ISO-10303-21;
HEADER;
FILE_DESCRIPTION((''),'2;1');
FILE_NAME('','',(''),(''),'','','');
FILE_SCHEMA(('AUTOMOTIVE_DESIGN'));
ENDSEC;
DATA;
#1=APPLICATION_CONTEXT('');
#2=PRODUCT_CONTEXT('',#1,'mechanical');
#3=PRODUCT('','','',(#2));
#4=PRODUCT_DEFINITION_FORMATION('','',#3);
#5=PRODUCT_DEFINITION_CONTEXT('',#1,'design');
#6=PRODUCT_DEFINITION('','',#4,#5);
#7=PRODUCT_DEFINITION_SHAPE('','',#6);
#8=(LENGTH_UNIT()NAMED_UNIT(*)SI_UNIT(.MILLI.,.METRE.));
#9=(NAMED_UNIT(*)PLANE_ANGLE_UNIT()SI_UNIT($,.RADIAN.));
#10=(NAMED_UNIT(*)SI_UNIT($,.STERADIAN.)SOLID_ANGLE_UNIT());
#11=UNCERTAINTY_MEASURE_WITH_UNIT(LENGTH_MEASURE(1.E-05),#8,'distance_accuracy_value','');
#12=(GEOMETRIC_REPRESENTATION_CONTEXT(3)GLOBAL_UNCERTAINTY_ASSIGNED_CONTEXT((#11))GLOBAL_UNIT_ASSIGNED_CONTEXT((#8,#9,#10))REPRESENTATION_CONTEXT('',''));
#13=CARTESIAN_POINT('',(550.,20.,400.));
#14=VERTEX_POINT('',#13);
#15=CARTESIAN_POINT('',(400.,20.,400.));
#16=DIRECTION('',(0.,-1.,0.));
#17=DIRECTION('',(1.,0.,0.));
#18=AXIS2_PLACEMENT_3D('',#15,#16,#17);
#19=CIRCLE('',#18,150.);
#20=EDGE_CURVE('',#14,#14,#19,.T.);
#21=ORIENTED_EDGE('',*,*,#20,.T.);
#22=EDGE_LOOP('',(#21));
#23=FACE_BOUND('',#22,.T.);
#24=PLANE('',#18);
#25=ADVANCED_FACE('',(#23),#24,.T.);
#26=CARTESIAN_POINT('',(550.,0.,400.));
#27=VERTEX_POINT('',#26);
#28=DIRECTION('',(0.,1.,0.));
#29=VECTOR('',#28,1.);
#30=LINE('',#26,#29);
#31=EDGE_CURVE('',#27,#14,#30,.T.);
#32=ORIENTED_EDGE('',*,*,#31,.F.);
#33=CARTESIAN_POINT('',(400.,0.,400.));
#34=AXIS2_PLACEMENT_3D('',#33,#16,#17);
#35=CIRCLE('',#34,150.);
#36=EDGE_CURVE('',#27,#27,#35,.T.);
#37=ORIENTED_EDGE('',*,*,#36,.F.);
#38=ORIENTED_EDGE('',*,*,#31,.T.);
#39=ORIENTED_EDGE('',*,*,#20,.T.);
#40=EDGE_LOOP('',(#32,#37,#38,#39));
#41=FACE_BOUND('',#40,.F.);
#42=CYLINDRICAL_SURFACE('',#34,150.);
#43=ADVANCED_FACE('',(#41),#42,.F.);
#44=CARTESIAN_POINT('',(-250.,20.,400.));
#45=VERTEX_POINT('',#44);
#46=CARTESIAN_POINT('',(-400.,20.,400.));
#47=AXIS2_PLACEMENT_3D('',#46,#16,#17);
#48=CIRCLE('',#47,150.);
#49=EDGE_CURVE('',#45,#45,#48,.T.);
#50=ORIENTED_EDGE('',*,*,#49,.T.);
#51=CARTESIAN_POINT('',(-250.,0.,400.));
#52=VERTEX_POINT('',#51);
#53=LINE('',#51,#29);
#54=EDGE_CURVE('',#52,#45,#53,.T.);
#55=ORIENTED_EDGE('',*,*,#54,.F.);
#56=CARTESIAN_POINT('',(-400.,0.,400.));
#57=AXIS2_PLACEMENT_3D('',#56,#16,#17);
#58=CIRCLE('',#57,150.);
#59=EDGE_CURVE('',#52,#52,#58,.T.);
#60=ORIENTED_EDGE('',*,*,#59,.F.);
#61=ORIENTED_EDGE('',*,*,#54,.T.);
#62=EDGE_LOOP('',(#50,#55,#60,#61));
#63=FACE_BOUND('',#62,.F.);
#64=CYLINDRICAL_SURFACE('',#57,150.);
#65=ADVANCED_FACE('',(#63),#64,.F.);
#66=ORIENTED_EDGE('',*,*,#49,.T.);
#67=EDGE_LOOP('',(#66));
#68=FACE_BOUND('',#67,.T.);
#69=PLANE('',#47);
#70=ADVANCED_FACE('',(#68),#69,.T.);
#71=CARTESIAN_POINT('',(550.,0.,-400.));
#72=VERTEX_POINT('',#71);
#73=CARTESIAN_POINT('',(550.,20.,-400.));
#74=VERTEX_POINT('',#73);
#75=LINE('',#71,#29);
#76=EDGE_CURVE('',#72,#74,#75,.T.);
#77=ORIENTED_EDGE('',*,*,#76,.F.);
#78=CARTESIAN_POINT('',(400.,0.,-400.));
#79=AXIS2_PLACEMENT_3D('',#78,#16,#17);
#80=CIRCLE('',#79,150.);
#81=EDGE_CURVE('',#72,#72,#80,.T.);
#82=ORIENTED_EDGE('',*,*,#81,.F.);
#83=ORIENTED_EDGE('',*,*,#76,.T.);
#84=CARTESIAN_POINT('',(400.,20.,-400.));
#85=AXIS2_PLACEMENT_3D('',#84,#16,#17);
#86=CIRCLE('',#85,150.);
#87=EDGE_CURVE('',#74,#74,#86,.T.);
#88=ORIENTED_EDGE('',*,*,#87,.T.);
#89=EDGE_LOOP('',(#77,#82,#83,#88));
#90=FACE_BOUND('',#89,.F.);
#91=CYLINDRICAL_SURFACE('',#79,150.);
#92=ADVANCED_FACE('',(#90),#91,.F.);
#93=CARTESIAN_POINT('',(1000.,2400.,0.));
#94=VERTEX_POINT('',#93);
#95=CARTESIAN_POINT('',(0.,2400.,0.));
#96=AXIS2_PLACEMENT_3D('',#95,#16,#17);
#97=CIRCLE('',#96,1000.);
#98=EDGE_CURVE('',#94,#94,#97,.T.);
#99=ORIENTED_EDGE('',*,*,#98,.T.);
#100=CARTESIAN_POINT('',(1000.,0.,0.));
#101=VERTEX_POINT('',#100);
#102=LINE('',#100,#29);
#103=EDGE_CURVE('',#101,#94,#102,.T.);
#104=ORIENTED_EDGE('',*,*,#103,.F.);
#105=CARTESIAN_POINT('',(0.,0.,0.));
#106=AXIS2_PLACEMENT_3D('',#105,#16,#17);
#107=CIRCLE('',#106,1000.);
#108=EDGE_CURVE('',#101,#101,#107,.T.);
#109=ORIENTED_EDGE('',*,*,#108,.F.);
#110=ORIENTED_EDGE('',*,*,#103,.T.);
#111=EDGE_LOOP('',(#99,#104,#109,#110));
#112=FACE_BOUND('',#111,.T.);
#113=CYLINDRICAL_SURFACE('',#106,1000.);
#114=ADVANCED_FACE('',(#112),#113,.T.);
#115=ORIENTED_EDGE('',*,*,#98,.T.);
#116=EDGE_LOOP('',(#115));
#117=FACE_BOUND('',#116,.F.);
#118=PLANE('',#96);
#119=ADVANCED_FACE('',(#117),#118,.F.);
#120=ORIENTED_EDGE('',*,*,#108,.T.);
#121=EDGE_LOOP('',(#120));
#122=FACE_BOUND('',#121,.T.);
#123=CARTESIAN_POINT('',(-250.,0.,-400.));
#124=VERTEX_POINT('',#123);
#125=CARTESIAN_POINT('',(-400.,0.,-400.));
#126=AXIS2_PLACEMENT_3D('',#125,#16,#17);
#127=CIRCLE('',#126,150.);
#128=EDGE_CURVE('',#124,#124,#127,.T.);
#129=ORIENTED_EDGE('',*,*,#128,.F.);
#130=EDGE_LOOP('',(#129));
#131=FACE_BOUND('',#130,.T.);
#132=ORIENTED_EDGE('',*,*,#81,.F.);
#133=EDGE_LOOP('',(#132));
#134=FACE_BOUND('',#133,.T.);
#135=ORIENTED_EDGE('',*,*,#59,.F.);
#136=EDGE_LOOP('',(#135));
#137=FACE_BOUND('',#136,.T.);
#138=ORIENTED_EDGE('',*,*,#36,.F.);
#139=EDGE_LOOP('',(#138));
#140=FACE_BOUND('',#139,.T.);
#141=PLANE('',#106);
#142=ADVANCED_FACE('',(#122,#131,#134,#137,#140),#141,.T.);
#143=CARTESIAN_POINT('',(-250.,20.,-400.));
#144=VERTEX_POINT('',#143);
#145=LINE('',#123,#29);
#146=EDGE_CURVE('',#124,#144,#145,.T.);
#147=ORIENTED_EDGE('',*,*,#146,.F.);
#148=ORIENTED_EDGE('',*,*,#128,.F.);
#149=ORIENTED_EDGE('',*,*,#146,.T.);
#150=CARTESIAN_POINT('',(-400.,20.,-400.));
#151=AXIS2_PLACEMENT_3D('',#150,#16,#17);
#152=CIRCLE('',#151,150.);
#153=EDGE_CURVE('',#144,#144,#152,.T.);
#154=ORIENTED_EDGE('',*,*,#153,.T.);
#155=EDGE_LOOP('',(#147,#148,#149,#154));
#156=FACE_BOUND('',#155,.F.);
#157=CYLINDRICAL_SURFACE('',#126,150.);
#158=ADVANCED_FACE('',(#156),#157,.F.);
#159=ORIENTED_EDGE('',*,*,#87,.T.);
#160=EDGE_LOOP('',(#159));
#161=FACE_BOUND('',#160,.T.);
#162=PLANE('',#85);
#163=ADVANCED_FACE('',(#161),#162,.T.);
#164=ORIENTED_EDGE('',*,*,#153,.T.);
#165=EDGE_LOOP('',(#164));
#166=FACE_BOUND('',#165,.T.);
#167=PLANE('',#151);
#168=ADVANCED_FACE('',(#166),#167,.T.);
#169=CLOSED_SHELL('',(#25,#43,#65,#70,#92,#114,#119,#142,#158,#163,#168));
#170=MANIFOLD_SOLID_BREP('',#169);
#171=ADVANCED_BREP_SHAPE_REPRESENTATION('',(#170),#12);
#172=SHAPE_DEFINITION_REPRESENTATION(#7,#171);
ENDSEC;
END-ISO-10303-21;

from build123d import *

# Parameters (mm, degrees)
F0_R     = 1000
F1_DEPTH = 2400
F2_R     = 150
F3_DEPTH = 20


with BuildPart() as f1:
    # F0 (on Front) → F1 (new body)
    with BuildSketch(Plane.XZ):
        Circle(F0_R)
    extrude(amount=-F1_DEPTH)

    # F2 (on face) → F3 (cut)
    with BuildSketch(Plane.XZ):
        with Locations((-400, 400)):
            Circle(F2_R)
        with Locations((-400, -400)):
            Circle(F2_R)
        with Locations((400, 400)):
            Circle(F2_R)
        with Locations((400, -400)):
            Circle(F2_R)
    extrude(amount=-F3_DEPTH, mode=Mode.SUBTRACT)


solid = f1.part
